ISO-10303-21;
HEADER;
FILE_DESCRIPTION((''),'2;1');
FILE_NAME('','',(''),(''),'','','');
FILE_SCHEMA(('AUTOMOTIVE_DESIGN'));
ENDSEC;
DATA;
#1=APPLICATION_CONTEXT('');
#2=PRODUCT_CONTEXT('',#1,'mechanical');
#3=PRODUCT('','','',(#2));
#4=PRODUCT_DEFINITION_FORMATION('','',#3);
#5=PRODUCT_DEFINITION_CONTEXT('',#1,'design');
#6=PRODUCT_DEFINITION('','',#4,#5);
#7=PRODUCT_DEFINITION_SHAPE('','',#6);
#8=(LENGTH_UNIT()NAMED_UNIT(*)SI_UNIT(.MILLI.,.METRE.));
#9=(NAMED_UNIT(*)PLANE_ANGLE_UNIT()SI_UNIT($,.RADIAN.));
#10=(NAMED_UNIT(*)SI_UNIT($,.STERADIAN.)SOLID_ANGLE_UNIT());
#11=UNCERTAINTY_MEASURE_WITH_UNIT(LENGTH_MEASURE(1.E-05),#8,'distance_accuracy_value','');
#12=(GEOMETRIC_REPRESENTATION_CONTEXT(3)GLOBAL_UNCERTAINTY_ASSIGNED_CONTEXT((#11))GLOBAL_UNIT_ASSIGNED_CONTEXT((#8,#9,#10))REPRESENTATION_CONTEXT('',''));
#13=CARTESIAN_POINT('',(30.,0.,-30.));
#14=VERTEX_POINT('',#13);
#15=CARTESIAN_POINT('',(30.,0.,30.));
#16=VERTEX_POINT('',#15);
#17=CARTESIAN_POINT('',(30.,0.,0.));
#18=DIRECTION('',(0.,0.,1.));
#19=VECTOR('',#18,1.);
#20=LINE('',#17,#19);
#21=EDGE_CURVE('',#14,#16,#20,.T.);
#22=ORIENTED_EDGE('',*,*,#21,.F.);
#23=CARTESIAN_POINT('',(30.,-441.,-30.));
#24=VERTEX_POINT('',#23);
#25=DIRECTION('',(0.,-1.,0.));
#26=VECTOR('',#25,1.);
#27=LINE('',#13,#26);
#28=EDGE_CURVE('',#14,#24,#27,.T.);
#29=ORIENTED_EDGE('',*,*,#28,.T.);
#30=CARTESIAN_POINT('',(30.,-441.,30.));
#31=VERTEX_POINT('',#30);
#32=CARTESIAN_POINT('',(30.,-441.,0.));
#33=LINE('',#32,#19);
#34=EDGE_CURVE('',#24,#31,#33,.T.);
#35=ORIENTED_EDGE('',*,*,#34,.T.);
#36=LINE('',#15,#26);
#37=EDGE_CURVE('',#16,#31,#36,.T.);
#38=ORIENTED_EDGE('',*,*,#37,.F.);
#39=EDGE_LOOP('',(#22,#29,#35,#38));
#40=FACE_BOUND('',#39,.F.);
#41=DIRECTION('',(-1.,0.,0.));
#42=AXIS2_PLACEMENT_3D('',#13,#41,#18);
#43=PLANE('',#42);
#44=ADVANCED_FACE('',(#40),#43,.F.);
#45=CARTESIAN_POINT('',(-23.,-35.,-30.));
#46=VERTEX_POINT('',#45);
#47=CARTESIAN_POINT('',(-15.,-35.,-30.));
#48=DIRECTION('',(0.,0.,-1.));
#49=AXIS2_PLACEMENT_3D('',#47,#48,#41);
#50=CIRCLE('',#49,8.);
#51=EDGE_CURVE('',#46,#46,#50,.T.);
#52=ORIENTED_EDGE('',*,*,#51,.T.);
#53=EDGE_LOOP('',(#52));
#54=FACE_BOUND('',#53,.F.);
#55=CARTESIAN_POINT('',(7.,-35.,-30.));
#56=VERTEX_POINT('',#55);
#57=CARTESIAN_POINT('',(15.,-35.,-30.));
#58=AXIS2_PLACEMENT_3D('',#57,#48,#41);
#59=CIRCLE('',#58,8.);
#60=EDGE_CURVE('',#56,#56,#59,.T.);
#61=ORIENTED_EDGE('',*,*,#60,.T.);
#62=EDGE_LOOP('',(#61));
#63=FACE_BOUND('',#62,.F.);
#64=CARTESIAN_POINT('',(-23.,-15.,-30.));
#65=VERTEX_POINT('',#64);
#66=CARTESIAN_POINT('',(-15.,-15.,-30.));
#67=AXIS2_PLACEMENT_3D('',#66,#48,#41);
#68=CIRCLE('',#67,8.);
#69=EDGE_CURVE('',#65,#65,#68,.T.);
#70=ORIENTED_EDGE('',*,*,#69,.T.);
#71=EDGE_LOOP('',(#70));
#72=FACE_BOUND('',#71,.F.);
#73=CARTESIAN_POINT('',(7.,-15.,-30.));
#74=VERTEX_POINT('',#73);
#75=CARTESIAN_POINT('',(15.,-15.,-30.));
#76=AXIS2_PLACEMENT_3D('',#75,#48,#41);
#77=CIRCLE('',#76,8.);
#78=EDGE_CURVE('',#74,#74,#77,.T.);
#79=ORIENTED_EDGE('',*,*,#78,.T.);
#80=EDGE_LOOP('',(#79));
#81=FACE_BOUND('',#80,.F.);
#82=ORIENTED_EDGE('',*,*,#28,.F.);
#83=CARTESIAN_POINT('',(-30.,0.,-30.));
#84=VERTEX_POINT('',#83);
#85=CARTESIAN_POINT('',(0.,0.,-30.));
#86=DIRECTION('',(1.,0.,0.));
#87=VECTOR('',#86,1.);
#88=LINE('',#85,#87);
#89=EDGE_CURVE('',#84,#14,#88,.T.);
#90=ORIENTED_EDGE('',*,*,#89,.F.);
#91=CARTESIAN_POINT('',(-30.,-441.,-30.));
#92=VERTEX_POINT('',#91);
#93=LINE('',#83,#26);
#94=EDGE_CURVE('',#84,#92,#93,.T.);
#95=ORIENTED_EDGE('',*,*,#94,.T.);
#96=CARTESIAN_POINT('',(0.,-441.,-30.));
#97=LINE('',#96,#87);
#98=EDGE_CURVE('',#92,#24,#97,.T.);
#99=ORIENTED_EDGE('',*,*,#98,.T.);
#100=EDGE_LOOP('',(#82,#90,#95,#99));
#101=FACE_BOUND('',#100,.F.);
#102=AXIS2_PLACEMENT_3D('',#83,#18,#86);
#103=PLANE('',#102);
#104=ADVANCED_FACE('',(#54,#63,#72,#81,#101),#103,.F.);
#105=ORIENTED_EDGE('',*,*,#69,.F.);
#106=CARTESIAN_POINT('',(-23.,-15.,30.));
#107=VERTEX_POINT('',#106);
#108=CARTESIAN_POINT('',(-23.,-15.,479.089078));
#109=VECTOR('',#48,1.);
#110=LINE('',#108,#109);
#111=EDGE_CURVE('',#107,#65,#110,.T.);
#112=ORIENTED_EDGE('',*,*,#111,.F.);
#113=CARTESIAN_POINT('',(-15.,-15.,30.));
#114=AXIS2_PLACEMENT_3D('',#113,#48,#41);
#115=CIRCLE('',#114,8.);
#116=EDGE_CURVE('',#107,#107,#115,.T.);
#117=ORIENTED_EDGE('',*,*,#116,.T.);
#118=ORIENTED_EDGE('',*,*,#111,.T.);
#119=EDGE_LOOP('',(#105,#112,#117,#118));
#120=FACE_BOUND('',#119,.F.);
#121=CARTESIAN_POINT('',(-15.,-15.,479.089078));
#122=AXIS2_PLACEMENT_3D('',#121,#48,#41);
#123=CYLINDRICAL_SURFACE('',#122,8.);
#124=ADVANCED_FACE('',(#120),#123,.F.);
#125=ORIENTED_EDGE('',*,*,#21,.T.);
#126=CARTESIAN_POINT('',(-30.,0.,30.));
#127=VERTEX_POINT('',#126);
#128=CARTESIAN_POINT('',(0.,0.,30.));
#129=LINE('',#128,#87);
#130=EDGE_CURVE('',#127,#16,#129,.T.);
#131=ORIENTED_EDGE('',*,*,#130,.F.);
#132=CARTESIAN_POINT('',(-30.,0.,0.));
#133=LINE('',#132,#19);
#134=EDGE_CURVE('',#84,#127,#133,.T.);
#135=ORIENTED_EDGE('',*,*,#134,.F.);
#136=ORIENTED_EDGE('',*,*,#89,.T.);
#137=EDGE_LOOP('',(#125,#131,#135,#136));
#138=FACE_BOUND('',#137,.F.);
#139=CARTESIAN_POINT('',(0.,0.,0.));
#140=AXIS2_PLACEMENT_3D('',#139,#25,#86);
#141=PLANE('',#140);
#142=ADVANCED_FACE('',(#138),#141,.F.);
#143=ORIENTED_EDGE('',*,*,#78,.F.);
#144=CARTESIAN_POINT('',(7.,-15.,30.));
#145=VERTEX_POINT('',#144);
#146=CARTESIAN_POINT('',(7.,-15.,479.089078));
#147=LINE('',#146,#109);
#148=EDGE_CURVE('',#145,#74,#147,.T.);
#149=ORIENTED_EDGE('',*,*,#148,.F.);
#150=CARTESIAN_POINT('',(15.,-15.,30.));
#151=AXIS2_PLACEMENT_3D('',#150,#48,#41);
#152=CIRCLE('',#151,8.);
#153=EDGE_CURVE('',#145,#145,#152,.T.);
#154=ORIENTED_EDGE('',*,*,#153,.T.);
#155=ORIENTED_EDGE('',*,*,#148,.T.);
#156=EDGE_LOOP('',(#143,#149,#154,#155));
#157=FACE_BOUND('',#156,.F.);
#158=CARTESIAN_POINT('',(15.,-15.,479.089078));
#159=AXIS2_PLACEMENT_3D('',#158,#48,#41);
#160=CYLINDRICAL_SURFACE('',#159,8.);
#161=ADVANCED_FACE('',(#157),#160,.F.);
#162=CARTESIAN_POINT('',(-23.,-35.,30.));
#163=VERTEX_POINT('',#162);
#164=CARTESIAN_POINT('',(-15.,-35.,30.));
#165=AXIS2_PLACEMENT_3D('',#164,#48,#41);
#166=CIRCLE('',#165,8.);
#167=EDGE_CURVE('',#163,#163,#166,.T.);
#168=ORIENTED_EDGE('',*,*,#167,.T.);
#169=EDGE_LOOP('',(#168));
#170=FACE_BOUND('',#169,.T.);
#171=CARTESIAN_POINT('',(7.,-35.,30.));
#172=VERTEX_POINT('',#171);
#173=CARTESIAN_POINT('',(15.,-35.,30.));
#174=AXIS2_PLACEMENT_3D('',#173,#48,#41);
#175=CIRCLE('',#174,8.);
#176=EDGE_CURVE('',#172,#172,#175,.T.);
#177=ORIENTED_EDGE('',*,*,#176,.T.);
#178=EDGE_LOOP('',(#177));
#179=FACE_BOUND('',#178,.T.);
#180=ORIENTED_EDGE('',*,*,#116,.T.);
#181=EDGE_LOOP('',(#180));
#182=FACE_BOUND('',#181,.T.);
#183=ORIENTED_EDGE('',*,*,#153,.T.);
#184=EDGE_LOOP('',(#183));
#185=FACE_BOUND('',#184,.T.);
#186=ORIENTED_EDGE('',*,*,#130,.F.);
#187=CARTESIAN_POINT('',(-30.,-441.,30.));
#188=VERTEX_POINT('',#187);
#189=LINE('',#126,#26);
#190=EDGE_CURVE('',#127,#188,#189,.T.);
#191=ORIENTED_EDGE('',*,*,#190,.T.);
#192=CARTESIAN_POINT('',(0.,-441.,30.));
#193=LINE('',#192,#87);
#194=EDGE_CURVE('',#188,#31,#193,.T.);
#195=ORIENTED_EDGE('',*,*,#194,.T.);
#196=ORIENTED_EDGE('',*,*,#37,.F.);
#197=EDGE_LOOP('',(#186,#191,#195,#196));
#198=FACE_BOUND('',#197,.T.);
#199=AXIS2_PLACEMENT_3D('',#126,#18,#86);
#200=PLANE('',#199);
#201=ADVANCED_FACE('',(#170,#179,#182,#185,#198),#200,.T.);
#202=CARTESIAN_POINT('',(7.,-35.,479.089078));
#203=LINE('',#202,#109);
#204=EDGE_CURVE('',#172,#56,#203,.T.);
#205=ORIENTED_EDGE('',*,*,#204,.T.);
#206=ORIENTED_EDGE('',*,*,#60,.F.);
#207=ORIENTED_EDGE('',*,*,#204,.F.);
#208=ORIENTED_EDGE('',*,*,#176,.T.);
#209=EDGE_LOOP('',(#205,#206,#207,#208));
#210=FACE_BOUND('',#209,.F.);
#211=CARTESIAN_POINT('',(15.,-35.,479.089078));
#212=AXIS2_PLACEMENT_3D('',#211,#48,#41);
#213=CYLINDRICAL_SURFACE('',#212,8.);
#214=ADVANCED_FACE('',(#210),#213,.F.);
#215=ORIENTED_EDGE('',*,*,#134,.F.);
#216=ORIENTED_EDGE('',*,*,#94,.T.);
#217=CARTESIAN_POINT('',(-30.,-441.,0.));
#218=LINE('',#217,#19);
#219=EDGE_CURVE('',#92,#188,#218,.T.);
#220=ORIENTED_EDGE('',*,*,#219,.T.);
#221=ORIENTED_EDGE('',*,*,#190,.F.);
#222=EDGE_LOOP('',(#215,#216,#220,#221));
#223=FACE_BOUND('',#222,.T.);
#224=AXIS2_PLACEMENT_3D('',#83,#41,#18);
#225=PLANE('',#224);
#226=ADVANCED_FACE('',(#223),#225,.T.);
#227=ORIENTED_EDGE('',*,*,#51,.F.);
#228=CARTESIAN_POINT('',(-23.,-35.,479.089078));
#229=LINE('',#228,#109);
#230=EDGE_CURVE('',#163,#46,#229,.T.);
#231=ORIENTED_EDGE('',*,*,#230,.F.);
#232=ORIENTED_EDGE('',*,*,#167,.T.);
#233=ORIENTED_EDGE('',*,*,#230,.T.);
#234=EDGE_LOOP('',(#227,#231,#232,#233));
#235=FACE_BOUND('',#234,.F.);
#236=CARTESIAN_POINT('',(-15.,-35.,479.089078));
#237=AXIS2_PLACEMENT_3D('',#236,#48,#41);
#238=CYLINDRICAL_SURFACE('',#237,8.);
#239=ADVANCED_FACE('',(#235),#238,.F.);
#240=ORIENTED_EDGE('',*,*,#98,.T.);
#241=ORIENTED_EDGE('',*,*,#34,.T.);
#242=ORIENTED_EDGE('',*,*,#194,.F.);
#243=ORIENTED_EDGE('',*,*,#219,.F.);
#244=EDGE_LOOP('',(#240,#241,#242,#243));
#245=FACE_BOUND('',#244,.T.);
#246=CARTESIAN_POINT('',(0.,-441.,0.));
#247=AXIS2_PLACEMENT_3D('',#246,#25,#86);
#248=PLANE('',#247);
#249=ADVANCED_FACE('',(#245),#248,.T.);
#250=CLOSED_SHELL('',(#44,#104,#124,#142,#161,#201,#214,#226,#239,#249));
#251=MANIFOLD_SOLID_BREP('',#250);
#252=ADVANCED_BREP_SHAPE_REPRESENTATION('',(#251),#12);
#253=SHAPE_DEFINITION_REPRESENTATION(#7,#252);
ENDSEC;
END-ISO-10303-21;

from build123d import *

# Parameters (mm, degrees)
F0_W     = 60
F0_H     = 60
F1_DEPTH = 441
F3_D     = 16


with BuildPart() as f1:
    # F0 (on Front) → F1 (new body)
    with BuildSketch(Plane.XZ):
        Rectangle(F0_W, F0_H)
    extrude(amount=F1_DEPTH)

    # F3 (through all)
    with Locations(Plane.XY.offset(30)):
        with Locations((-15, -15), (15, -15), (-15, -35), (15, -35)):
            Hole(F3_D / 2)


solid = f1.part
